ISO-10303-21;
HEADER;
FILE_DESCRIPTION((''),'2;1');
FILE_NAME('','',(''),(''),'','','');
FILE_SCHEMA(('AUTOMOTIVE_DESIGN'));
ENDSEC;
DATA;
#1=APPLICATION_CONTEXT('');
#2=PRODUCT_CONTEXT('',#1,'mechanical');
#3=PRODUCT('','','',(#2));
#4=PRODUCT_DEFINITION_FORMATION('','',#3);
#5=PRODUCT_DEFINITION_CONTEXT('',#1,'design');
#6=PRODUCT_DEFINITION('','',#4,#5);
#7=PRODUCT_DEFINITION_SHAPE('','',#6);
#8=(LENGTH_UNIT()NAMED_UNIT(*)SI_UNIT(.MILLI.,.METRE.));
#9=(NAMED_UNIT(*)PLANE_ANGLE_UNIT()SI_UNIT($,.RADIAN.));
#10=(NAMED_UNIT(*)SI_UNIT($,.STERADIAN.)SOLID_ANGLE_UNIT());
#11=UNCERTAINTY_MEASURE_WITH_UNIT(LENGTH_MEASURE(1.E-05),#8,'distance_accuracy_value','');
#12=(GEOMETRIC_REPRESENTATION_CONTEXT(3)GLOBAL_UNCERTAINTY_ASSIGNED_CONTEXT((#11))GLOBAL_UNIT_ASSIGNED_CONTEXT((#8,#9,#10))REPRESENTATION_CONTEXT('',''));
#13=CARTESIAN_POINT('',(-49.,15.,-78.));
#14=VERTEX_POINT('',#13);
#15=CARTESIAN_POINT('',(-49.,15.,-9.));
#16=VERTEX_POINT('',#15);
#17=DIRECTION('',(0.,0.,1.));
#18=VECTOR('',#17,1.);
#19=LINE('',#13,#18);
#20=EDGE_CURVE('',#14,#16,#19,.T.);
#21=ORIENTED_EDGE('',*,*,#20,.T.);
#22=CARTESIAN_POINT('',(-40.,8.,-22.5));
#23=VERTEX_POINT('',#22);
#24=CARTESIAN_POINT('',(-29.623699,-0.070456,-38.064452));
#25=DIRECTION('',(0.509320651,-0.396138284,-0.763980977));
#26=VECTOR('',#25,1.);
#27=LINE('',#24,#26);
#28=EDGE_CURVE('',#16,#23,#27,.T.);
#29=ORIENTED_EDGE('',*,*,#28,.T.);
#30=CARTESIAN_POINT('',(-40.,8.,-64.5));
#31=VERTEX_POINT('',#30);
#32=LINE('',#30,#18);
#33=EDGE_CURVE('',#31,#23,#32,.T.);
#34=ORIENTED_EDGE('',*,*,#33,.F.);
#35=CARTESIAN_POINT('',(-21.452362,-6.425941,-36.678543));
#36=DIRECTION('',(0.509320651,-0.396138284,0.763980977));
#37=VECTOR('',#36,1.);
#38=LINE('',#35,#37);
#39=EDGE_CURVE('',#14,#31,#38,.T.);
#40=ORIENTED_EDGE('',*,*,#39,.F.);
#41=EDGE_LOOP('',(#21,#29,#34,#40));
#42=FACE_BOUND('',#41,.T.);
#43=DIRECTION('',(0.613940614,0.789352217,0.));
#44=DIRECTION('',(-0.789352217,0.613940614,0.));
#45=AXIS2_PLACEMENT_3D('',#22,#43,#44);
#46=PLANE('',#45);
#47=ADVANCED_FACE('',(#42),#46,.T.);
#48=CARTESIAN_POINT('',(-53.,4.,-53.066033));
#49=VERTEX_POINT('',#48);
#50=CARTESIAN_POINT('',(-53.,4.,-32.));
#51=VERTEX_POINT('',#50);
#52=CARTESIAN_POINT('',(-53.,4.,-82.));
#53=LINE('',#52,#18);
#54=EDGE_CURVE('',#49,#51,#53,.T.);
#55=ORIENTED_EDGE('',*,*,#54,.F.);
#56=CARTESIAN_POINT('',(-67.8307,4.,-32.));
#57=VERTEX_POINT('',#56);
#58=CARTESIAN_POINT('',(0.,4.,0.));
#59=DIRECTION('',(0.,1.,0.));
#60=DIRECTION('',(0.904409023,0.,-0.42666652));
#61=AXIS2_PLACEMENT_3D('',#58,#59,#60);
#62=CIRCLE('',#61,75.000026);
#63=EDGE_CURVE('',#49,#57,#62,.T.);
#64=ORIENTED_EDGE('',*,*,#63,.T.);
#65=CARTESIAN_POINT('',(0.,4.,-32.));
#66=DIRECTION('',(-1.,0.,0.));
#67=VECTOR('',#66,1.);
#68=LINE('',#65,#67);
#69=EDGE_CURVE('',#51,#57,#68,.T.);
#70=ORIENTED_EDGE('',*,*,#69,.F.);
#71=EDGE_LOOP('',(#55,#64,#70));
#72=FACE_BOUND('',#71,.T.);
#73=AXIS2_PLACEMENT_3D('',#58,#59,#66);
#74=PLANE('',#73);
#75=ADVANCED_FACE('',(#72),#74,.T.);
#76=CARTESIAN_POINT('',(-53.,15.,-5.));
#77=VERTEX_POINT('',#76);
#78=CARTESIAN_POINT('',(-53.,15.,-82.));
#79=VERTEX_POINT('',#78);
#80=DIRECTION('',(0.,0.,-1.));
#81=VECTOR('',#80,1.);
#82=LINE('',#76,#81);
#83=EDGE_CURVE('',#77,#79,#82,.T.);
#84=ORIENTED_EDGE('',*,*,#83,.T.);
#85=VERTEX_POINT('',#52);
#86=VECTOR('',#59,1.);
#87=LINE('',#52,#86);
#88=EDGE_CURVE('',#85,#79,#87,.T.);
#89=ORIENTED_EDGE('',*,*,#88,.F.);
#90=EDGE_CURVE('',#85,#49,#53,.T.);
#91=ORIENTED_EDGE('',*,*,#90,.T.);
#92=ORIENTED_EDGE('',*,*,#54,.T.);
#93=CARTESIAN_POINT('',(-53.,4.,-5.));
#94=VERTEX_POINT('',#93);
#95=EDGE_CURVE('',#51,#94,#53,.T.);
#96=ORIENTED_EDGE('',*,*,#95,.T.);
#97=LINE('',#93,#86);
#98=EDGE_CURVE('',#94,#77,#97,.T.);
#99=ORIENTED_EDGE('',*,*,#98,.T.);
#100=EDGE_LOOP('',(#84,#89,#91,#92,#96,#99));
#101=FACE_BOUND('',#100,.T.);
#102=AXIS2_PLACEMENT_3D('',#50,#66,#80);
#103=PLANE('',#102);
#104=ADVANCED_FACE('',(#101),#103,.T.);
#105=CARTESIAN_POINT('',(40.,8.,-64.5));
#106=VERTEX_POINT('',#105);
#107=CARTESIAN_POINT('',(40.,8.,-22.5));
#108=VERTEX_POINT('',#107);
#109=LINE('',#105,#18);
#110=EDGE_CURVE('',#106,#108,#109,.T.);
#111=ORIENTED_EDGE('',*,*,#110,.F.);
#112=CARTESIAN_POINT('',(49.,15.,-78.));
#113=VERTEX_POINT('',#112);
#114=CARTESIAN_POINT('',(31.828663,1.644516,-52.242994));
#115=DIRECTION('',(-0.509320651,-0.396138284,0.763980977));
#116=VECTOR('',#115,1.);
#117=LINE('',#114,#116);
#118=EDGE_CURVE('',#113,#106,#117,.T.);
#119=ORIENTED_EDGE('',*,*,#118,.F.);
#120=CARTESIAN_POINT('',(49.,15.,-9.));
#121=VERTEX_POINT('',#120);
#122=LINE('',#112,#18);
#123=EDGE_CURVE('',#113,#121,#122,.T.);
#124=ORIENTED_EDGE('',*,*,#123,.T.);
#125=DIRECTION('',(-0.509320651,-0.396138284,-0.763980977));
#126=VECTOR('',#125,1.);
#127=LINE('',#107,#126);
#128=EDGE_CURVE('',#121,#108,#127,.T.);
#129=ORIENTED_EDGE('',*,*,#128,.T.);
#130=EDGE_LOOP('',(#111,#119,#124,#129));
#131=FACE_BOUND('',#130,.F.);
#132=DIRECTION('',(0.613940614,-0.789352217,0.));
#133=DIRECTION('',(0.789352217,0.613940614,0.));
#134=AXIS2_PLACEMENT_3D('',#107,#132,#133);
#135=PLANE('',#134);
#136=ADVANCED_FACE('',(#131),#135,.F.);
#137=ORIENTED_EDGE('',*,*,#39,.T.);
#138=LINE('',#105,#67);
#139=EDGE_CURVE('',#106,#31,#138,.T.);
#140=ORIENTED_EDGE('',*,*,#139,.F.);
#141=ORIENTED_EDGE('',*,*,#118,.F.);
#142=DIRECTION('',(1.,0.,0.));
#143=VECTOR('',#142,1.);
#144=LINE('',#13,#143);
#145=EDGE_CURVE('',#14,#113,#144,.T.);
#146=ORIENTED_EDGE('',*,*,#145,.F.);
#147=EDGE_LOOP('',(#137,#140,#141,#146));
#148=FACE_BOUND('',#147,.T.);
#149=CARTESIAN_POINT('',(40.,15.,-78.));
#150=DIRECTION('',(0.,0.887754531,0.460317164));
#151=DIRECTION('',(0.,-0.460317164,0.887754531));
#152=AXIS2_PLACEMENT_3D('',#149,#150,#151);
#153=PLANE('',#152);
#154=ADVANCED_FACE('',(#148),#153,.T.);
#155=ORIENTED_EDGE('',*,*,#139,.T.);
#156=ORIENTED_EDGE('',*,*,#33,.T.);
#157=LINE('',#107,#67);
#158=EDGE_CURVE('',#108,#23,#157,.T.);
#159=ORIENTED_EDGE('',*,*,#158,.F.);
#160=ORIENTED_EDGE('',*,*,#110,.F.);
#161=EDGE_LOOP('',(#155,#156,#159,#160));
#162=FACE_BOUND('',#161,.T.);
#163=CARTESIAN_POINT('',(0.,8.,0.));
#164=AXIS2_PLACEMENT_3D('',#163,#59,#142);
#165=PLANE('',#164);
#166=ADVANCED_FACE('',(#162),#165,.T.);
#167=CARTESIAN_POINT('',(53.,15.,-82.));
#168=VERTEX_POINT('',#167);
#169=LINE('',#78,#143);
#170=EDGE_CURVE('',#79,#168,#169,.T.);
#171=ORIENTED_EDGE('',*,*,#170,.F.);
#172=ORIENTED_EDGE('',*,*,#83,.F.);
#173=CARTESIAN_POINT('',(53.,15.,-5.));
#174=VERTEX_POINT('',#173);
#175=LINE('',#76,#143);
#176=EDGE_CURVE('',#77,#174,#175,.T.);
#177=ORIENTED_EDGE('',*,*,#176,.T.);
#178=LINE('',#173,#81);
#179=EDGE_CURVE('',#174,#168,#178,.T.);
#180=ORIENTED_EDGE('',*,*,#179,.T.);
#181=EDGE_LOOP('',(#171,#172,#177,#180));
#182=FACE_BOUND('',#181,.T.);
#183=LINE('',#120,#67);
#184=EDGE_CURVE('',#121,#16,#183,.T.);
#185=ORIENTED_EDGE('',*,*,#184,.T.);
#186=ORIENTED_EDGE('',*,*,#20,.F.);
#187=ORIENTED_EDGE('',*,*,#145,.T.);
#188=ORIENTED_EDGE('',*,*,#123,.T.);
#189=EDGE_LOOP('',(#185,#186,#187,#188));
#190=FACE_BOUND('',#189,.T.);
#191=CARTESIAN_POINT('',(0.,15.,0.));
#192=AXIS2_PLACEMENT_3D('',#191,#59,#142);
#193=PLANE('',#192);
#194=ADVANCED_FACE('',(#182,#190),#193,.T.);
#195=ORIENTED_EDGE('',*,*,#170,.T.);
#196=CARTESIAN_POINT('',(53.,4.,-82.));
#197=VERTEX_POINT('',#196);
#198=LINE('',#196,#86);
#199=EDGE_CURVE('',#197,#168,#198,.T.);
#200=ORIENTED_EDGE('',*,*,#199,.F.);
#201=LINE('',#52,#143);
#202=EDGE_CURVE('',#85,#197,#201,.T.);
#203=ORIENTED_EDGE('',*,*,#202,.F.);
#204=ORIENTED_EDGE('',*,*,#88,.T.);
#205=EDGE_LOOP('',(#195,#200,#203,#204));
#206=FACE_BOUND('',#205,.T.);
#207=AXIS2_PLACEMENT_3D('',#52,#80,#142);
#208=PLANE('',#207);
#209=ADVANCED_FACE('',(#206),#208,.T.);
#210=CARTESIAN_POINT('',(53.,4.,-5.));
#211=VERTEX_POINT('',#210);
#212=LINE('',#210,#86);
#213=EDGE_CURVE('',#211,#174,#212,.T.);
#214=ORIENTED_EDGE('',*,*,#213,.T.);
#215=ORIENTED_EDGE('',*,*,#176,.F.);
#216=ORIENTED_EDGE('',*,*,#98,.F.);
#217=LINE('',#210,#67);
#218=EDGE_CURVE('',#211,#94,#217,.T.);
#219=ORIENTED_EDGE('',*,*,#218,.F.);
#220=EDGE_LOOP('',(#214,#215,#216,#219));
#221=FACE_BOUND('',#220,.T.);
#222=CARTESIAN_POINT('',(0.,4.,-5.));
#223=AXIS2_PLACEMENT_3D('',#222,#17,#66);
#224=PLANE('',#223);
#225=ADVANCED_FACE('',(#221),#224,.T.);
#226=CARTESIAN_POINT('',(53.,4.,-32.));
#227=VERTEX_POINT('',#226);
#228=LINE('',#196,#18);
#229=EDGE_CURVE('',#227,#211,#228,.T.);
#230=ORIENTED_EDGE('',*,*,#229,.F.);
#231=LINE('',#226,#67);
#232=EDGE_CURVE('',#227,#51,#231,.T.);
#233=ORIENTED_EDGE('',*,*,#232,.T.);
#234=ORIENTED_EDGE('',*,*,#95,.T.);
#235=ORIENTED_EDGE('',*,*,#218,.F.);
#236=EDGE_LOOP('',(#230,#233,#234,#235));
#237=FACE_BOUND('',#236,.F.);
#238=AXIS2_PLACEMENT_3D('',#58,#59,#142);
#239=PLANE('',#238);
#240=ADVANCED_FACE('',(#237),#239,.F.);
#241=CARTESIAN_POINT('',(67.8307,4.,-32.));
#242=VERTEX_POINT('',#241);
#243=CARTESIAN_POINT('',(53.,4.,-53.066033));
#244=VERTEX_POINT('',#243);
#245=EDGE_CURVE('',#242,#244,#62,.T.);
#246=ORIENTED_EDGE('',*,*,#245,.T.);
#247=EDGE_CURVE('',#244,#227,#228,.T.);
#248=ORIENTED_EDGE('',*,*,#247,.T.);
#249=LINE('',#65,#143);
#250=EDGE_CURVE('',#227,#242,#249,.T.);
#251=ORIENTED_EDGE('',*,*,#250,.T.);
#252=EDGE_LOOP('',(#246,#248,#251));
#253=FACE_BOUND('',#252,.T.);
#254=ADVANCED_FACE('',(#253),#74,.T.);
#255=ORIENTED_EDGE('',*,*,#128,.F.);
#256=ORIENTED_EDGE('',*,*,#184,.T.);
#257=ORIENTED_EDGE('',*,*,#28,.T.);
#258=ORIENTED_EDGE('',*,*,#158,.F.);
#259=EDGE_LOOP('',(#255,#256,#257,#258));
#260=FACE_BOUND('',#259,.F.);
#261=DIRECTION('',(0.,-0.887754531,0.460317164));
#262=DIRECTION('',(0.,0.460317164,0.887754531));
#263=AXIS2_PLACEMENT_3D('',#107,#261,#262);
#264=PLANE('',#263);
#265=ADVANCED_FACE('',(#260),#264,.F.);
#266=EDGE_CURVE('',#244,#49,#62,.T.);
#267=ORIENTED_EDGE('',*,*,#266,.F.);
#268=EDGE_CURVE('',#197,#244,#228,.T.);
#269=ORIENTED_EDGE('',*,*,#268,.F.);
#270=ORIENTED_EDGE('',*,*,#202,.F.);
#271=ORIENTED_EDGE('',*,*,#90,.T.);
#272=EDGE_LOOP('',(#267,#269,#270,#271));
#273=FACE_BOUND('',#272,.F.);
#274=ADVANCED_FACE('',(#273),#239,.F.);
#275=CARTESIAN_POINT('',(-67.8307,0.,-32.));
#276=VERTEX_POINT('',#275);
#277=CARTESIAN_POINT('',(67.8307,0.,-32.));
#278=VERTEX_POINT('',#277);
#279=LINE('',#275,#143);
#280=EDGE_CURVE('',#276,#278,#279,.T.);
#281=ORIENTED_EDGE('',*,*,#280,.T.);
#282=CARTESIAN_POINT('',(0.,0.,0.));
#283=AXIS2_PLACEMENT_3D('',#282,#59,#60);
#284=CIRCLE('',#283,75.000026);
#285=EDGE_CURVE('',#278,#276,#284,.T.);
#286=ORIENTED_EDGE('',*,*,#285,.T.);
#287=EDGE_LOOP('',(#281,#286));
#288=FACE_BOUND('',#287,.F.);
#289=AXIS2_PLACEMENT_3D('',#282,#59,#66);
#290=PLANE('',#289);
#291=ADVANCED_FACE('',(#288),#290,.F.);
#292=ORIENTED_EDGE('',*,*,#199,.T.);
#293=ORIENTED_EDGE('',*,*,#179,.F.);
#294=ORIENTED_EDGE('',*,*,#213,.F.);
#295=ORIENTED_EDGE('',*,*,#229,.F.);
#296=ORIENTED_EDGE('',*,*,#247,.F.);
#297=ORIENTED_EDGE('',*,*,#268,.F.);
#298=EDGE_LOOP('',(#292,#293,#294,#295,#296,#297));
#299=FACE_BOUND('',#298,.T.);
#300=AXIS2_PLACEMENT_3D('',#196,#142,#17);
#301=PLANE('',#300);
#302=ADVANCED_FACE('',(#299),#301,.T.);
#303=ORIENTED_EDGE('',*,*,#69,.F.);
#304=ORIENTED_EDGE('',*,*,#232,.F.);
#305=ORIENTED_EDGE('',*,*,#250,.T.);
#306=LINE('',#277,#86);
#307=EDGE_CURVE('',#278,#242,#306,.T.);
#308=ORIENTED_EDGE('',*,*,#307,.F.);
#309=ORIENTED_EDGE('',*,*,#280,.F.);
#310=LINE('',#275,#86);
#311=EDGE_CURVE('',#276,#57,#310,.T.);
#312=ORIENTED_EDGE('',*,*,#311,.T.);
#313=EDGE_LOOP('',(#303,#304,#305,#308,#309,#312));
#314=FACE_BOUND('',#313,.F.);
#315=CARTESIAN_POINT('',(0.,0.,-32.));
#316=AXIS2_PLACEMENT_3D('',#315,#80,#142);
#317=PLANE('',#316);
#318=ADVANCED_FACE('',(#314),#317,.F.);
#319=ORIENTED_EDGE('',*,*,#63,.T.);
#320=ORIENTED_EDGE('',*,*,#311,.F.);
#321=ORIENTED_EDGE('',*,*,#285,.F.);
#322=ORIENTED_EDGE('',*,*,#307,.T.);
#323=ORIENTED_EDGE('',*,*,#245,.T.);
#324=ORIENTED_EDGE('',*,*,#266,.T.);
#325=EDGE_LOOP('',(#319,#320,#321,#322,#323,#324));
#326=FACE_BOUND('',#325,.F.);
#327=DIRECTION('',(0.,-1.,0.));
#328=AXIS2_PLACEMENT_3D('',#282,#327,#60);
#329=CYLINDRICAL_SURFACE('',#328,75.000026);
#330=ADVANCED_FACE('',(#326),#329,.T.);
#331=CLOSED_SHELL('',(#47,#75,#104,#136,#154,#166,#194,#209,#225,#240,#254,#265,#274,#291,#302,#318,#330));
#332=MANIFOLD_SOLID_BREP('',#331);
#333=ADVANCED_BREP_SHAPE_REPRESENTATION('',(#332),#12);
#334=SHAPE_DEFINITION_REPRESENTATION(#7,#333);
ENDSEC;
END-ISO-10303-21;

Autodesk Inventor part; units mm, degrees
ref_plane "YZ Plane" through (0, 0, 0) normal (1, 0, 0) x (0, 1, 0)
ref_plane "XZ Plane" through (0, 0, 0) normal (0, 1, 0) x (-1, 0, 0)
ref_plane "XY Plane" through (0, 0, 0) normal (0, 0, 1) x (1, 0, 0)
sketch "Boceto1" plane through (0, 0, 0) normal (0, 1, 0) x (-1, 0, 0)
  arc A0 (-67.8307, -32) -> (67.8307, -32) centre (0, 0) ccw
  line L0 (0, -32) -> (-67.8307, -32)
  line L1 (0, -32) -> (67.8307, -32)
  dimension "d0" = 150
extrude "Extrusión1" add sketch "Boceto1" along normal blind 4
sketch "Boceto2" plane through (0, 4, 0) normal (0, 1, 0) x (1, 0, 0)
  line L0 (-67.8307, 32) -> (67.8307, 32) projected
  line L1 (0, 32) -> (0, 5)
  line L2 (0, 5) -> (-53, 5)
  line L3 (-53, 5) -> (-53, 82)
  line L4 (-53, 82) -> (53, 82)
  line L5 (53, 82) -> (53, 5)
  line L6 (53, 5) -> (0, 5)
  point P0 (0, 0)
  dimension "d4" = 27
  dimension "d5" = 53
  dimension "d6" = 77
  dimension "d7" = 106
extrude "Extrusión2" add sketch "Boceto2" along normal blind 11
sketch "Boceto3" plane through (0, 15, 0) normal (0, 1, 0) x (1, 0, 0)
  line L0 (53, 5) -> (53, 82) projected
  line L1 (53, 43.5) -> (53, 64.5)
  line L2 (40, 64.5) -> (-40, 64.5)
  line L3 (-53, 82) -> (-53, 5) projected
  line L4 (53, 82) -> (-53, 82) projected
  line L5 (0, 82) -> (40, 82)
  line L6 (40, 64.5) -> (40, 22.5)
  line L7 (-53, 5) -> (53, 5) projected
  line L8 (0, 82) -> (-40, 82)
  line L9 (-40, 64.5) -> (-40, 22.5)
  line L10 (53, 43.5) -> (53, 22.5)
  line L11 (40, 22.5) -> (-40, 22.5)
  point P0 (0, 0)
  dimension "d10" = 21
  dimension "d11" = 40
  dimension "d12" = 40
  dimension "d13" = 21
extrude "Extrusión3" cut sketch "Boceto3" against normal blind 7 contours L6 L11 L9 L2
sketch "Boceto4" plane through (40, 15, -22.5) normal (0, 0, -1) x (-1, 0, 0)
  line L0 (80, 0) -> (80, -7) projected
  line L1 (0, 0) -> (0, -7) projected
  line L2 (80, -7) -> (0, -7)
  line L3 (-13, 0) -> (-9, 0)
  line L4 (-9, 0) -> (0, 0)
  line L5 (0, 0) -> (0, -7)
  line L6 (0, -7) -> (-9, 0)
  line L7 (93, 0) -> (89, 0)
  line L8 (89, 0) -> (80, 0)
  line L9 (80, -7) -> (89, 0)
  point P0 (40, -15)
  dimension "d16" = 4
  dimension "d17" = 4
extrude "Extrusión4" cut sketch "Boceto4" along normal blind 55.5 and the other way blind 13.5
sketch "Boceto5" plane through (40, 8, -64.5) normal (1, 0, 0) x (0, 0, -1)
  line L0 (0, 7) -> (0, 0) projected
  line L1 (0, 0) -> (0, 7)
  line L2 (13.5, 7) -> (13.5, 0) projected
  line L3 (0, 7) -> (13.5, 7)
  line L4 (0, 0) -> (13.5, 0) projected
  line L5 (13.5, 7) -> (0, 0)
  line L6 (0, 0) -> (0, 7)
  line L7 (-42, 0) -> (0, 0) projected
  line L8 (-42, 7) -> (-42, 0) projected
  line L9 (-42, 0) -> (-42, 7)
  line L10 (-55.5, 7) -> (-55.5, 0) projected
  line L11 (-42, 7) -> (-55.5, 7)
  line L12 (-55.5, 0) -> (-42, 0) projected
  line L13 (-55.5, 7) -> (-42, 0)
  point P0 (-64.5, -8)
extrude "Extrusión5" cut sketch "Boceto5" against normal blind 80 contours L3 L5 L0 | L13 L11 L8
sketch "Boceto6" plane through (40, 8, -78) normal (1, 0, 0) x (0, 0, -1)
  line L0 (-69, 0) -> (-69, 7) projected
  line L1 (-69, 0) -> (-55.5, 0) projected
  line L2 (-69, 7) -> (-69, 0)
  line L3 (-69, 0) -> (-55.5, 0)
  line L4 (-69, 7) -> (0, 7) projected
  line L5 (-55.5, 0) -> (-69, 7)
  line L6 (0, 7) -> (0, 0) projected
  line L7 (0, 7) -> (0, 0)
  line L8 (-13.5, 0) -> (0, 7) projected
  line L9 (0, 0) -> (-13.5, 0)
  line L10 (0, 7) -> (-13.5, 0)
  point P0 (-78, -8)
extrude "Extrusión6" add sketch "Boceto6" along normal blind 10 and the other way blind 90
properties part number "Soporte_caja"
